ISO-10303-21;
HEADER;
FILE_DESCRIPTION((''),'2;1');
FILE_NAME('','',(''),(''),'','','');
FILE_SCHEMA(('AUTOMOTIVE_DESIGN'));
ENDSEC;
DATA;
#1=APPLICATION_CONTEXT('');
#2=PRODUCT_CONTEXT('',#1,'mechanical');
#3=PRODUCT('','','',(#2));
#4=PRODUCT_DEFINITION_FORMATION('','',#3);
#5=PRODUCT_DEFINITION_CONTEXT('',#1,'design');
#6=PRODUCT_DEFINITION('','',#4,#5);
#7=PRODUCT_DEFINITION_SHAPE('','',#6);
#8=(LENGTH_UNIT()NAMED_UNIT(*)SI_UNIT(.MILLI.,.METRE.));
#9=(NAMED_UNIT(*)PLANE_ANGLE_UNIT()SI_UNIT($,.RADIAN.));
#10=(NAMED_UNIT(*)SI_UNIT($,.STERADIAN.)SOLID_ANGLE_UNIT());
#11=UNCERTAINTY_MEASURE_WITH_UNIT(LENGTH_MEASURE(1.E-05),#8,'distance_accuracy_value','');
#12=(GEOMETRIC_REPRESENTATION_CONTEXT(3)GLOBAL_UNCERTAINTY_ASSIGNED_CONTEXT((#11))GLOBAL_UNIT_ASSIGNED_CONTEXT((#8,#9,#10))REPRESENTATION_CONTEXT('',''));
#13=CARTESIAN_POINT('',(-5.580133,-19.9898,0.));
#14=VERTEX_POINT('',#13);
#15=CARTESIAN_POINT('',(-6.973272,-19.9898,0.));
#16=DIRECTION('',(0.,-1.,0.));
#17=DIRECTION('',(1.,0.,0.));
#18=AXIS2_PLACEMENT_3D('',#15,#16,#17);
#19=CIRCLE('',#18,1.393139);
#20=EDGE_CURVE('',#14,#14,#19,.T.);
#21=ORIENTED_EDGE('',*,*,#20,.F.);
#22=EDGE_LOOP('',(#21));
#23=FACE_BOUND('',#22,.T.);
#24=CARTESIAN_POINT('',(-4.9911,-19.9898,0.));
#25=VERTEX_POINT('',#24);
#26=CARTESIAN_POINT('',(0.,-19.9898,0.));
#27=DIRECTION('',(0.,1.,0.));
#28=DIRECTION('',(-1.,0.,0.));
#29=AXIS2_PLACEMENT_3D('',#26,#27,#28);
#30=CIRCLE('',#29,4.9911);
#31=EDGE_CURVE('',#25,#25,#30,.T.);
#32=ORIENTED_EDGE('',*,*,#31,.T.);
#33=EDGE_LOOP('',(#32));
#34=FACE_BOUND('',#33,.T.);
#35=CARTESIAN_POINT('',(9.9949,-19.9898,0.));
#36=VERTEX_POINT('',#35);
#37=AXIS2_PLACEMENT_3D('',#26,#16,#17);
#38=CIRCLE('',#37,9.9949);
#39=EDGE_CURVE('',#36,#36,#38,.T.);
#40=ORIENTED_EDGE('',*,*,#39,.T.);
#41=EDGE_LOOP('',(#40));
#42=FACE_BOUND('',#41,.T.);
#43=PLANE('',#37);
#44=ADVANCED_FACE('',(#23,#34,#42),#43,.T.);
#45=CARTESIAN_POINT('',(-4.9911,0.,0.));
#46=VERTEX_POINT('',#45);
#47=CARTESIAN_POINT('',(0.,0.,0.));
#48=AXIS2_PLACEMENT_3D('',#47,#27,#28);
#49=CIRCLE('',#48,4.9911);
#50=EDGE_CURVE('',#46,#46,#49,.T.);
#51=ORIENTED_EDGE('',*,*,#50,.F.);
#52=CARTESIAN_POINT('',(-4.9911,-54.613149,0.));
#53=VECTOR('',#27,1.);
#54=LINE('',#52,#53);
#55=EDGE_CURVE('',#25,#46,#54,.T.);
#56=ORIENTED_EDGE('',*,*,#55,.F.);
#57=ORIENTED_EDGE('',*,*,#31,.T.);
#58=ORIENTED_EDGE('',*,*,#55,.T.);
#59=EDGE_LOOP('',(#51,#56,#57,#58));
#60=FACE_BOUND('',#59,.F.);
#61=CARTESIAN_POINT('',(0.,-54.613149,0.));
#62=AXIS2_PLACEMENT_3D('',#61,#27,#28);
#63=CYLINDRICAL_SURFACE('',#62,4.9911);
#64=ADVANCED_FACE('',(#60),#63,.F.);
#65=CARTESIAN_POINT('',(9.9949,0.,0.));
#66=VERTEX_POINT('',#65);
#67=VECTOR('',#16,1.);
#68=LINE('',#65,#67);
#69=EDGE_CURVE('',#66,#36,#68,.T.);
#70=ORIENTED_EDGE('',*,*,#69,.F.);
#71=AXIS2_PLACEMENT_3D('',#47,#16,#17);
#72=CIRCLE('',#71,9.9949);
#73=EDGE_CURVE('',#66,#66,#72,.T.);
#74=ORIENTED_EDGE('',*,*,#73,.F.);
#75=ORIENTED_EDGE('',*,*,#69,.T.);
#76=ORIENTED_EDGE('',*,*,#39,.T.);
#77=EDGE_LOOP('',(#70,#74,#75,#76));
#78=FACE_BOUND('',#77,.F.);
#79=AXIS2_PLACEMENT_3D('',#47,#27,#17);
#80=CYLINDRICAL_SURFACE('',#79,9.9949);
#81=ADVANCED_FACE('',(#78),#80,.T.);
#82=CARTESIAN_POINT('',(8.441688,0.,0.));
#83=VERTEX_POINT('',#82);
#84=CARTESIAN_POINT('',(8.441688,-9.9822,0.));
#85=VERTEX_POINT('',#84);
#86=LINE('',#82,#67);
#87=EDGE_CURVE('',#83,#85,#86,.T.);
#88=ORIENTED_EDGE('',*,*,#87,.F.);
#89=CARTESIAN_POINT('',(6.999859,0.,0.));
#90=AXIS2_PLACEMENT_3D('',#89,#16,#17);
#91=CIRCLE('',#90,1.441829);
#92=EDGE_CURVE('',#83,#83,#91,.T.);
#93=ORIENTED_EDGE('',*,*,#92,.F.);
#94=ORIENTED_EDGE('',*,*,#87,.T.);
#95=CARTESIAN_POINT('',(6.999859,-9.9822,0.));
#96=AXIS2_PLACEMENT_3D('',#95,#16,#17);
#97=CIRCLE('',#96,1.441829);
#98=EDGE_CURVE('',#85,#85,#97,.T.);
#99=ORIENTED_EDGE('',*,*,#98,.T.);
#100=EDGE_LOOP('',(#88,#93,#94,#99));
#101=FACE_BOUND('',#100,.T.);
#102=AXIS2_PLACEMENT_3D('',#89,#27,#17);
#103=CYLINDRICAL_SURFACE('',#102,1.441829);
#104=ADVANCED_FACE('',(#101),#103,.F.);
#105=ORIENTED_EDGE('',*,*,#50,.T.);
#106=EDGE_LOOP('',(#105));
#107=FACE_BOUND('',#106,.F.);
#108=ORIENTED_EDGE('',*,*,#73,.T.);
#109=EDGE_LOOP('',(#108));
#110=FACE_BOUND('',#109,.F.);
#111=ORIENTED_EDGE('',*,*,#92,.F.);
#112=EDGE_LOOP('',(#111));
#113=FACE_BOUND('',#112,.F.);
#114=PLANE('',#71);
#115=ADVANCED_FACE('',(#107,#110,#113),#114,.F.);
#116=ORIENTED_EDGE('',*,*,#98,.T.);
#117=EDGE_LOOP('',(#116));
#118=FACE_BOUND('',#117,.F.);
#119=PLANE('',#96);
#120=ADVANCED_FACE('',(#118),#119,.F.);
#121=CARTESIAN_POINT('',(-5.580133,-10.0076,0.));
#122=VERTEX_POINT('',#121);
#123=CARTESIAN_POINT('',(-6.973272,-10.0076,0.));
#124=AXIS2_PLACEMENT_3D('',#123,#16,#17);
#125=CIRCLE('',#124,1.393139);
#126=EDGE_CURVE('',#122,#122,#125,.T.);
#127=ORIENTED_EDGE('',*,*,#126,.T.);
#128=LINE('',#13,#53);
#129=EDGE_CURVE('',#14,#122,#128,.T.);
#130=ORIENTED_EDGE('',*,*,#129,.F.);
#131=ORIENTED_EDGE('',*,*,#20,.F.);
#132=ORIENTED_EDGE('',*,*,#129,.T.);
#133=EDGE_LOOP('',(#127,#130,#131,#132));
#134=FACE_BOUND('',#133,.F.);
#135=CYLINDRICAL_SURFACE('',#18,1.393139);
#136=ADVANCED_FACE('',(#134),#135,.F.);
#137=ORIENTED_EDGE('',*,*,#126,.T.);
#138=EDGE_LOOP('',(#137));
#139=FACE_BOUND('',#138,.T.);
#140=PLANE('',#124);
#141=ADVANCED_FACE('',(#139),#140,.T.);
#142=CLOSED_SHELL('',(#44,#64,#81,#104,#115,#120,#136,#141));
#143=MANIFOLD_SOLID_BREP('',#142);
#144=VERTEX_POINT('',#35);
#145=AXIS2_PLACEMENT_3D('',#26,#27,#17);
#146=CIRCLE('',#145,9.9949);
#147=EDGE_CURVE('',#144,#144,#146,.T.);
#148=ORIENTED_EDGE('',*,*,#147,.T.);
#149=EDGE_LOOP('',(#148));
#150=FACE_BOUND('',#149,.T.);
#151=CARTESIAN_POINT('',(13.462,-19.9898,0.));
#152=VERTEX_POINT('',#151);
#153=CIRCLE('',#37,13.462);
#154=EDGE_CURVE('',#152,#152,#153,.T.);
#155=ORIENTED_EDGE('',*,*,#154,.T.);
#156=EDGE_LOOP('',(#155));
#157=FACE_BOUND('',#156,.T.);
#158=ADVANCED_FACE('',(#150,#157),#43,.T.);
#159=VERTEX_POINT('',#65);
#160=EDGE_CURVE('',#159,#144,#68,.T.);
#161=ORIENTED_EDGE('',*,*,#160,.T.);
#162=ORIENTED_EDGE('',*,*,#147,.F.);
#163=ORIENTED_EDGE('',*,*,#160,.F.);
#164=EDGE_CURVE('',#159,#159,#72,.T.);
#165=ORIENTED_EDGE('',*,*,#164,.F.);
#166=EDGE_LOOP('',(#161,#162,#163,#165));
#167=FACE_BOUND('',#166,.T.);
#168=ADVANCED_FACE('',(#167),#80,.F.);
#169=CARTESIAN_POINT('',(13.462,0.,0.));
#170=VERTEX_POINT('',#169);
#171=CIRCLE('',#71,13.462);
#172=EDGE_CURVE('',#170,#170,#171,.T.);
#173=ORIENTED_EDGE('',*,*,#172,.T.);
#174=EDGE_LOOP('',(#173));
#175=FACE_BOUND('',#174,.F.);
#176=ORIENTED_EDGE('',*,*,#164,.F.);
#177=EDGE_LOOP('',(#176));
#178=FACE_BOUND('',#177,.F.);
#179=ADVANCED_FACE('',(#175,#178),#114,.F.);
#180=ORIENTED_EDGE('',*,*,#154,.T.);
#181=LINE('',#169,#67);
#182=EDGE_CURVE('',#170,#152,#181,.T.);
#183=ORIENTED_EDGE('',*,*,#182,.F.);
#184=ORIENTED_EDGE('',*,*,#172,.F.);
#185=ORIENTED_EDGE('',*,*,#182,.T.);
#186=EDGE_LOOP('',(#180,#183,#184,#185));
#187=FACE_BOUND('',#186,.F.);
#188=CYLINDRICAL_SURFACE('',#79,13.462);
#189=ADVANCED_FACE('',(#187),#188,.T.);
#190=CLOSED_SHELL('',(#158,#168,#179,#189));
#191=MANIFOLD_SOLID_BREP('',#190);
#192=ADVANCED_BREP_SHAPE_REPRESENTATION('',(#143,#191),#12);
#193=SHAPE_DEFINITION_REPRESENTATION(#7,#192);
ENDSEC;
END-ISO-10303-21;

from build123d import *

# Parameters (mm, degrees)
F0_R      = 13.462
F1_DEPTH  = 19.9898
F2_R      = 9.9949
F3_DEPTH  = 25.4
F4_R      = 9.9949
F5_DEPTH  = 19.9898
F7_D      = 9.9822
F10_R     = 1.393139
F11_DEPTH = 9.9822
F12_R     = 1.441829
F13_DEPTH = 9.9822


with BuildPart() as f1:
    # F0 (on Front) → F1 (new body)
    with BuildSketch(Plane.XZ):
        Circle(F0_R)
    extrude(amount=F1_DEPTH)

    # F2 (on Front) → F3 (cut)
    with BuildSketch(Plane.XZ):
        Circle(F2_R)
    extrude(amount=F3_DEPTH, mode=Mode.SUBTRACT)


with BuildPart() as f5:
    # F4 (on Front) → F5 (new body)
    with BuildSketch(Plane.XZ):
        Circle(F4_R)
    extrude(amount=F5_DEPTH)

    # F7 (through all)
    with Locations(Plane.XZ.offset(19.9898)):
        with Locations((0, 0)):
            Hole(F7_D / 2)

    # F10 (on face) → F11 (cut)
    with BuildSketch(Plane.XZ.offset(19.9898)):
        with Locations((-6.973272, 0)):
            Circle(F10_R)
    extrude(amount=-F11_DEPTH, mode=Mode.SUBTRACT)

    # F12 (on face) → F13 (cut)
    with BuildSketch(Plane.XZ):
        with Locations((6.999859, 0)):
            Circle(F12_R)
    extrude(amount=F13_DEPTH, mode=Mode.SUBTRACT)


solid = Compound([f1.part, f5.part])
